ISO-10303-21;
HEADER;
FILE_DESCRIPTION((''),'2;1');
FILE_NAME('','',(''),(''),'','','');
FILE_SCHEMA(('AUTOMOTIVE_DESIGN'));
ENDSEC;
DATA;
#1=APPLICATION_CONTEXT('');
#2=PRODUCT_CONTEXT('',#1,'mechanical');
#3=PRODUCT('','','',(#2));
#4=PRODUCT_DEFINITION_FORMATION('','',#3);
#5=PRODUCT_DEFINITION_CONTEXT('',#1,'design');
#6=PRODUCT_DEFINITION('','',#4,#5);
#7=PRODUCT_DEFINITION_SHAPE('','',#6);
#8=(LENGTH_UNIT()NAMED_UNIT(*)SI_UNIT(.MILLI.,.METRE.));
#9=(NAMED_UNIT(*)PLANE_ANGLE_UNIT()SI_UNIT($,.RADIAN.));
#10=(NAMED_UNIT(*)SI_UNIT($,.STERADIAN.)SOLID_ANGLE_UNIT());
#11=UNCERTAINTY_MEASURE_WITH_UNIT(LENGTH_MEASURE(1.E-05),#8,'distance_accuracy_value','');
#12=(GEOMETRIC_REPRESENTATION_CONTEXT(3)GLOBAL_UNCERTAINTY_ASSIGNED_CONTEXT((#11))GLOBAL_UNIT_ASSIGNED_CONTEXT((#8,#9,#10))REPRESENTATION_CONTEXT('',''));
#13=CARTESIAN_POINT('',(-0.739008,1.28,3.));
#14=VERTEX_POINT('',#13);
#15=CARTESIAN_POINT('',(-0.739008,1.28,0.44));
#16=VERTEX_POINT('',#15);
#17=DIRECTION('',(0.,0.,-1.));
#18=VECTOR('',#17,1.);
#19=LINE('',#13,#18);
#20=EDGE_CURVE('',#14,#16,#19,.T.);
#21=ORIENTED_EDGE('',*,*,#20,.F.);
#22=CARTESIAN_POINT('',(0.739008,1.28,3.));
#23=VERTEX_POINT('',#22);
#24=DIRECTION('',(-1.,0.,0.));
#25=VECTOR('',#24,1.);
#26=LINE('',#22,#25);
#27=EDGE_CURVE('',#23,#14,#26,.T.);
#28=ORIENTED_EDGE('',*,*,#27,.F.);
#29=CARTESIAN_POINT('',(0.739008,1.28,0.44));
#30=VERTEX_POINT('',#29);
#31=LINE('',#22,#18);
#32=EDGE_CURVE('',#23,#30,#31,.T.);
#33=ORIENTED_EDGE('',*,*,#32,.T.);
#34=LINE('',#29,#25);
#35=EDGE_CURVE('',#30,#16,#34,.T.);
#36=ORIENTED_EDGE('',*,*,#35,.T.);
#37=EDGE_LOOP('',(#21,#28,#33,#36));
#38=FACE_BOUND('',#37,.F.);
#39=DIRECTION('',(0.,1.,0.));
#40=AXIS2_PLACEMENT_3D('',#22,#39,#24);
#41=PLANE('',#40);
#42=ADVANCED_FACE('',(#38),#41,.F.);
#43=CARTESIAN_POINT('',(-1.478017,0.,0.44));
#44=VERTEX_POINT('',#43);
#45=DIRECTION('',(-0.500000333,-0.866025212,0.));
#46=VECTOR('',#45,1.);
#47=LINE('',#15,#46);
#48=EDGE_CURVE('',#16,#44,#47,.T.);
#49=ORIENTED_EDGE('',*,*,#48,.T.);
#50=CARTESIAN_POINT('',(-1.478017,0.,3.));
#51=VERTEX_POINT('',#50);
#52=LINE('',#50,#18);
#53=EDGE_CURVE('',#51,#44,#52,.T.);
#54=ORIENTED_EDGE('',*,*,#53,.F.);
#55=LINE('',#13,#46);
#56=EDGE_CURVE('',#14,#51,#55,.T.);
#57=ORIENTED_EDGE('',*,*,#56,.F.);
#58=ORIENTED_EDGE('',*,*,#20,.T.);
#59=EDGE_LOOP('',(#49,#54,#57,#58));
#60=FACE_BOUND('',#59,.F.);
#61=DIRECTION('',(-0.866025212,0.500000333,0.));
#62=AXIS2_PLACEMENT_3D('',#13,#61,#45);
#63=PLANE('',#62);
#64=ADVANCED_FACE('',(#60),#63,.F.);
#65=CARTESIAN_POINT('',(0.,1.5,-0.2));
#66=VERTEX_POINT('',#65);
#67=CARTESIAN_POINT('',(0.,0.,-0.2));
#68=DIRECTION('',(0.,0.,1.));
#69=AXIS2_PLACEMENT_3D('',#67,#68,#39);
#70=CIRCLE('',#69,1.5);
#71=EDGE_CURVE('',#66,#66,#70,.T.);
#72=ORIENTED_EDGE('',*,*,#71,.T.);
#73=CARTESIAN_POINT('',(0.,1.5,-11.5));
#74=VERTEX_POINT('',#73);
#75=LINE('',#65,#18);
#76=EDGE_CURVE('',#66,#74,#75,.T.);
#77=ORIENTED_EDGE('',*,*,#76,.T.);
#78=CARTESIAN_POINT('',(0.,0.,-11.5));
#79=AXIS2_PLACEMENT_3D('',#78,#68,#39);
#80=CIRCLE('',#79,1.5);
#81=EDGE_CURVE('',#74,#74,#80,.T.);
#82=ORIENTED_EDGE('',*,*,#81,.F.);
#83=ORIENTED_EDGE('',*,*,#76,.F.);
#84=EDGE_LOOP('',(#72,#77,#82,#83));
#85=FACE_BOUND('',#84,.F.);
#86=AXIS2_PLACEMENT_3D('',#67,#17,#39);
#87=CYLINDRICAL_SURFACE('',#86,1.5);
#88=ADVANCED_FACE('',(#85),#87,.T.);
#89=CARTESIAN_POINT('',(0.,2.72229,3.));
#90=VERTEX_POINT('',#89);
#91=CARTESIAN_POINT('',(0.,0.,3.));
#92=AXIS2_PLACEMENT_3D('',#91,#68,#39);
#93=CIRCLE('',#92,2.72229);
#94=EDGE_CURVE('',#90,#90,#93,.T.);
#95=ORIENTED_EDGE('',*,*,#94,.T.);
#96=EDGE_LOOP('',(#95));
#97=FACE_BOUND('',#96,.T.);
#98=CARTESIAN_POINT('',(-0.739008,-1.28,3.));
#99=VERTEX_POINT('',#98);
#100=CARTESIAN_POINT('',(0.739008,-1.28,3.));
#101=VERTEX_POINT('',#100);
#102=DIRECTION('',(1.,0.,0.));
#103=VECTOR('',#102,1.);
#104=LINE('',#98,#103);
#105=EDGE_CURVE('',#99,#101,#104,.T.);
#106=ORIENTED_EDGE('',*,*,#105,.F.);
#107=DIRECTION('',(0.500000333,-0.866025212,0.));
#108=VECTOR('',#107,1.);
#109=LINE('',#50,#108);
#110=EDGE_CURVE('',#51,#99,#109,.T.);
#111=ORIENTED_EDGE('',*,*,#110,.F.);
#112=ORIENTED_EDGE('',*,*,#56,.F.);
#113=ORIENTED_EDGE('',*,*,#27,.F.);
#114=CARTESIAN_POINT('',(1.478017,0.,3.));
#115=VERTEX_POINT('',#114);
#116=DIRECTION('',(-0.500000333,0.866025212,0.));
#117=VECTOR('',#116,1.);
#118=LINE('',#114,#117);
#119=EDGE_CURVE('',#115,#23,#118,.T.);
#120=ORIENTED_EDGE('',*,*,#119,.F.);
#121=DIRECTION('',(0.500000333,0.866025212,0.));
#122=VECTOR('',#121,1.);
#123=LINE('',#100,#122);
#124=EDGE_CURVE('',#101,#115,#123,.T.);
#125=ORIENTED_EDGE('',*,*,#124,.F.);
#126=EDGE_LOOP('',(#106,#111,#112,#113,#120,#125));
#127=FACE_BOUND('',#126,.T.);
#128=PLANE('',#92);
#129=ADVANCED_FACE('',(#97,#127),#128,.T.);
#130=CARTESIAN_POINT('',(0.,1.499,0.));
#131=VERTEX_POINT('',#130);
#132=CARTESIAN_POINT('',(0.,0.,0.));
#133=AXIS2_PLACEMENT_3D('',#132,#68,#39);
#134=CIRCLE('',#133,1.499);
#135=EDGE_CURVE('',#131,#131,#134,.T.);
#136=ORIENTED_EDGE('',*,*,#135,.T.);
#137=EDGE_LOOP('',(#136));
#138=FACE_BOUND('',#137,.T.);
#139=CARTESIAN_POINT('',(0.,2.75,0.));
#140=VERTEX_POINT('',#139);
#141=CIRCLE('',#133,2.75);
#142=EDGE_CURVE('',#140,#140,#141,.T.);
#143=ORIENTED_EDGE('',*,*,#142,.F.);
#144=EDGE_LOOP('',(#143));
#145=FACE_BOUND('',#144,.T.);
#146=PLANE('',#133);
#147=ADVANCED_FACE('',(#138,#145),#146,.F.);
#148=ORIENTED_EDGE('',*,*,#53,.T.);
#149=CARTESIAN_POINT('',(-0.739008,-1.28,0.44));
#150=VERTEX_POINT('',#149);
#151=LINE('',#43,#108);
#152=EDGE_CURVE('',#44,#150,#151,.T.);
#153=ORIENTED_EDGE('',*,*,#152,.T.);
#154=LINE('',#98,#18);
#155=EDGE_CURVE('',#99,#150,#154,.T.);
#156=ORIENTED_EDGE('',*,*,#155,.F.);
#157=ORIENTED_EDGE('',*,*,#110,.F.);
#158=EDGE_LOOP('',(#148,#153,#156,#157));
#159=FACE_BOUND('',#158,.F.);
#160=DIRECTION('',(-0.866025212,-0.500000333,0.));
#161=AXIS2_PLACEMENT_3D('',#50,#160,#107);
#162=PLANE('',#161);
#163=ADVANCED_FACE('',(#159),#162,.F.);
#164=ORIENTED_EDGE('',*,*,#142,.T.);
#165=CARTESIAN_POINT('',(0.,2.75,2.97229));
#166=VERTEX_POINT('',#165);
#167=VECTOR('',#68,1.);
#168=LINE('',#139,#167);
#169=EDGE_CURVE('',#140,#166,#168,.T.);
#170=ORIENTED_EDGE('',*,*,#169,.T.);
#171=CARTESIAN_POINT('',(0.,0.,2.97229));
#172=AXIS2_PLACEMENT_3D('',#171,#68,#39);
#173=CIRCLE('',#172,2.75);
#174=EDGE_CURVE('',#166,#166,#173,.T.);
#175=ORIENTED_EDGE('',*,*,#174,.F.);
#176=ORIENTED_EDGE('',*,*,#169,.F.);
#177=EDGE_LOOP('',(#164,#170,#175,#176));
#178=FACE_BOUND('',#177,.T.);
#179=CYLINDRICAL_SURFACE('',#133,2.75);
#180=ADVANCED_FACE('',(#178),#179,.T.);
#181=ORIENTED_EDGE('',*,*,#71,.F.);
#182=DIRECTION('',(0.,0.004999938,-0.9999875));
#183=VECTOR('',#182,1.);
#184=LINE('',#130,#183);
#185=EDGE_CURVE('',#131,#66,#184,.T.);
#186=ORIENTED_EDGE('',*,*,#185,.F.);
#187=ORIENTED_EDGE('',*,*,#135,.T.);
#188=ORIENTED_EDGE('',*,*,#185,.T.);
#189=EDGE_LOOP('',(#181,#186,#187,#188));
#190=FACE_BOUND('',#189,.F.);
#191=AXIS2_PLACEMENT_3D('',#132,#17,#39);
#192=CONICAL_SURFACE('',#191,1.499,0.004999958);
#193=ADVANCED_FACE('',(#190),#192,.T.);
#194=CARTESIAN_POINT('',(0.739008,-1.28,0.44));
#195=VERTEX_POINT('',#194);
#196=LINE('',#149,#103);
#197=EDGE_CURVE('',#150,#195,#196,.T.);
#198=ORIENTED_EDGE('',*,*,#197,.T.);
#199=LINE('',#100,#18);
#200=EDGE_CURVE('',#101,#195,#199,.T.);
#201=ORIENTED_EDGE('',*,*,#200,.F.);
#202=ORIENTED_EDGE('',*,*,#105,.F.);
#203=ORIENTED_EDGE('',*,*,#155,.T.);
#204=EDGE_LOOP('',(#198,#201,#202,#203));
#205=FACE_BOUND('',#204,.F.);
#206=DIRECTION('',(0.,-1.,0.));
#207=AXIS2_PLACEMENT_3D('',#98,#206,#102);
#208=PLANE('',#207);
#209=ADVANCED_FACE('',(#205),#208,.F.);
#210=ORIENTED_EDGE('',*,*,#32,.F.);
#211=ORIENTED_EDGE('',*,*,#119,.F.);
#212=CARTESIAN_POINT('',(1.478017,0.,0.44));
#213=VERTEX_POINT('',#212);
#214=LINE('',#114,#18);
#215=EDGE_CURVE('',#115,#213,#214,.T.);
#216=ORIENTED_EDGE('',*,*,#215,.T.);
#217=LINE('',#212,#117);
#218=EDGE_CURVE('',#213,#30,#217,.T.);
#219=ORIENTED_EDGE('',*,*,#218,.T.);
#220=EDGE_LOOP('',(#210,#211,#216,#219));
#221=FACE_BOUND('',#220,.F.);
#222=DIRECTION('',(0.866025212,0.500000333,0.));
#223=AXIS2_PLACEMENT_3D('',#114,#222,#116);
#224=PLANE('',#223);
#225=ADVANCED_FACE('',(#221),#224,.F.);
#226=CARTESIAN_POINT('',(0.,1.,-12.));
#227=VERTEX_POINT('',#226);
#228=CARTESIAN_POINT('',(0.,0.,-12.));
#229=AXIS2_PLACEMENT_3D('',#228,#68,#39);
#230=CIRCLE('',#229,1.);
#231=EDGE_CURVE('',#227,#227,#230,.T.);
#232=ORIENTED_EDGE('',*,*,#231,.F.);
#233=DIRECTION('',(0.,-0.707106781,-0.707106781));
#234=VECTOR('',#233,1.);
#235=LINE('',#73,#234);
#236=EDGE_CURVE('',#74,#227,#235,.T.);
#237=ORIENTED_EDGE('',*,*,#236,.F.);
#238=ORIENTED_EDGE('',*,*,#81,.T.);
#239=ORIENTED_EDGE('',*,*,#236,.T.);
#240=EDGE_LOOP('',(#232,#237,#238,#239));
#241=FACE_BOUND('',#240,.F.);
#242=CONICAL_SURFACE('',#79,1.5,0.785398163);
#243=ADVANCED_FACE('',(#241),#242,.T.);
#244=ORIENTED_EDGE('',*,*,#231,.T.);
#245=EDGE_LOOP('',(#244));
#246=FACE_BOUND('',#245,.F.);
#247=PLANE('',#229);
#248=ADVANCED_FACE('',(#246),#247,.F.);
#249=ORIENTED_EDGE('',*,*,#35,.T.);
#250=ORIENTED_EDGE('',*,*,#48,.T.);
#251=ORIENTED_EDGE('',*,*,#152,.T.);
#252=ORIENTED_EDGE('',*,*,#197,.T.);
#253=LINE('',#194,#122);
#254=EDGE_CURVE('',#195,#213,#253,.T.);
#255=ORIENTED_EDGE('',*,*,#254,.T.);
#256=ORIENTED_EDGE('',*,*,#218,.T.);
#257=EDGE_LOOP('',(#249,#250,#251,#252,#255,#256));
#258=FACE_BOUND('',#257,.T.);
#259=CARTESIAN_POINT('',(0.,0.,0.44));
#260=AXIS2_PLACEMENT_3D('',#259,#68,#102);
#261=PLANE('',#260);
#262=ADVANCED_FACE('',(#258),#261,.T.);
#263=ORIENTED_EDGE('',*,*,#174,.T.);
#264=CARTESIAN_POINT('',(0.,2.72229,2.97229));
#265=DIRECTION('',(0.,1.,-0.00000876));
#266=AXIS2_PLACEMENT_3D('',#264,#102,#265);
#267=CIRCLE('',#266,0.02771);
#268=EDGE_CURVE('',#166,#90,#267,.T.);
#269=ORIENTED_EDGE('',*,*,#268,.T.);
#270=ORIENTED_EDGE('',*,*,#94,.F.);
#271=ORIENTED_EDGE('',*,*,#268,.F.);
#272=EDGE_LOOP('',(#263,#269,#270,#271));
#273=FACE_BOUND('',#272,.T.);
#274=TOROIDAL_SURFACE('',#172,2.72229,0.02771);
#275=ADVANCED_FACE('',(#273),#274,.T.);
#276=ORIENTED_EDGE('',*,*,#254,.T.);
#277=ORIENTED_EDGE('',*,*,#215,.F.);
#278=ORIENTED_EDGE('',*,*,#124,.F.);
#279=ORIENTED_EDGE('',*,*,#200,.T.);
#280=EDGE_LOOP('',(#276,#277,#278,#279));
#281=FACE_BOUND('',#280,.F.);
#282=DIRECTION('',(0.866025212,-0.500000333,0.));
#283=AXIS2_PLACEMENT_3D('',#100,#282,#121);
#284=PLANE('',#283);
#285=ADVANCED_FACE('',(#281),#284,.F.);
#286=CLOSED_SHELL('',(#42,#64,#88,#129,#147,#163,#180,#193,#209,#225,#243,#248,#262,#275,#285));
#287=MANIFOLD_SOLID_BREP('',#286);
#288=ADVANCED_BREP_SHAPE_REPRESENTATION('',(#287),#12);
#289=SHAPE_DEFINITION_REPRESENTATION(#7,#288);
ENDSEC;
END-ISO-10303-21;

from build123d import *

# Parameters (mm, degrees)
POCKET_DEPTH = 2.56


with BuildPart() as part:
    # Sketch → Revolve (revolve)
    with BuildSketch(Plane.YZ):
        with BuildLine():
            Line((1.499, 0), (2.75, 0))
            Line((2.75, 0), (2.75, 2.97229))
            ThreePointArc((2.75, 2.97229), (2.741884, 2.991884), (2.72229, 3))
            Line((2.72229, 3), (0, 3))
            Line((0, -12), (0, 3))
            Line((1, -12), (0, -12))
            Line((1.5, -11.5), (1, -12))
            Line((1.5, -0.2), (1.5, -11.5))
            Line((1.499, 0), (1.5, -0.2))
        make_face()
    revolve(axis=Axis((0, 0, 0), (0, 0, 1)))

    # Sketch001 → Pocket (cut)
    with BuildSketch(Plane.XY.offset(3)):
        Polygon((1.478017, 0), (0.739008, 1.28), (-0.739008, 1.28), (-1.478017, 0), (-0.739008, -1.28), (0.739008, -1.28), align=None)
    extrude(amount=-POCKET_DEPTH, mode=Mode.SUBTRACT)


solid = part.part
